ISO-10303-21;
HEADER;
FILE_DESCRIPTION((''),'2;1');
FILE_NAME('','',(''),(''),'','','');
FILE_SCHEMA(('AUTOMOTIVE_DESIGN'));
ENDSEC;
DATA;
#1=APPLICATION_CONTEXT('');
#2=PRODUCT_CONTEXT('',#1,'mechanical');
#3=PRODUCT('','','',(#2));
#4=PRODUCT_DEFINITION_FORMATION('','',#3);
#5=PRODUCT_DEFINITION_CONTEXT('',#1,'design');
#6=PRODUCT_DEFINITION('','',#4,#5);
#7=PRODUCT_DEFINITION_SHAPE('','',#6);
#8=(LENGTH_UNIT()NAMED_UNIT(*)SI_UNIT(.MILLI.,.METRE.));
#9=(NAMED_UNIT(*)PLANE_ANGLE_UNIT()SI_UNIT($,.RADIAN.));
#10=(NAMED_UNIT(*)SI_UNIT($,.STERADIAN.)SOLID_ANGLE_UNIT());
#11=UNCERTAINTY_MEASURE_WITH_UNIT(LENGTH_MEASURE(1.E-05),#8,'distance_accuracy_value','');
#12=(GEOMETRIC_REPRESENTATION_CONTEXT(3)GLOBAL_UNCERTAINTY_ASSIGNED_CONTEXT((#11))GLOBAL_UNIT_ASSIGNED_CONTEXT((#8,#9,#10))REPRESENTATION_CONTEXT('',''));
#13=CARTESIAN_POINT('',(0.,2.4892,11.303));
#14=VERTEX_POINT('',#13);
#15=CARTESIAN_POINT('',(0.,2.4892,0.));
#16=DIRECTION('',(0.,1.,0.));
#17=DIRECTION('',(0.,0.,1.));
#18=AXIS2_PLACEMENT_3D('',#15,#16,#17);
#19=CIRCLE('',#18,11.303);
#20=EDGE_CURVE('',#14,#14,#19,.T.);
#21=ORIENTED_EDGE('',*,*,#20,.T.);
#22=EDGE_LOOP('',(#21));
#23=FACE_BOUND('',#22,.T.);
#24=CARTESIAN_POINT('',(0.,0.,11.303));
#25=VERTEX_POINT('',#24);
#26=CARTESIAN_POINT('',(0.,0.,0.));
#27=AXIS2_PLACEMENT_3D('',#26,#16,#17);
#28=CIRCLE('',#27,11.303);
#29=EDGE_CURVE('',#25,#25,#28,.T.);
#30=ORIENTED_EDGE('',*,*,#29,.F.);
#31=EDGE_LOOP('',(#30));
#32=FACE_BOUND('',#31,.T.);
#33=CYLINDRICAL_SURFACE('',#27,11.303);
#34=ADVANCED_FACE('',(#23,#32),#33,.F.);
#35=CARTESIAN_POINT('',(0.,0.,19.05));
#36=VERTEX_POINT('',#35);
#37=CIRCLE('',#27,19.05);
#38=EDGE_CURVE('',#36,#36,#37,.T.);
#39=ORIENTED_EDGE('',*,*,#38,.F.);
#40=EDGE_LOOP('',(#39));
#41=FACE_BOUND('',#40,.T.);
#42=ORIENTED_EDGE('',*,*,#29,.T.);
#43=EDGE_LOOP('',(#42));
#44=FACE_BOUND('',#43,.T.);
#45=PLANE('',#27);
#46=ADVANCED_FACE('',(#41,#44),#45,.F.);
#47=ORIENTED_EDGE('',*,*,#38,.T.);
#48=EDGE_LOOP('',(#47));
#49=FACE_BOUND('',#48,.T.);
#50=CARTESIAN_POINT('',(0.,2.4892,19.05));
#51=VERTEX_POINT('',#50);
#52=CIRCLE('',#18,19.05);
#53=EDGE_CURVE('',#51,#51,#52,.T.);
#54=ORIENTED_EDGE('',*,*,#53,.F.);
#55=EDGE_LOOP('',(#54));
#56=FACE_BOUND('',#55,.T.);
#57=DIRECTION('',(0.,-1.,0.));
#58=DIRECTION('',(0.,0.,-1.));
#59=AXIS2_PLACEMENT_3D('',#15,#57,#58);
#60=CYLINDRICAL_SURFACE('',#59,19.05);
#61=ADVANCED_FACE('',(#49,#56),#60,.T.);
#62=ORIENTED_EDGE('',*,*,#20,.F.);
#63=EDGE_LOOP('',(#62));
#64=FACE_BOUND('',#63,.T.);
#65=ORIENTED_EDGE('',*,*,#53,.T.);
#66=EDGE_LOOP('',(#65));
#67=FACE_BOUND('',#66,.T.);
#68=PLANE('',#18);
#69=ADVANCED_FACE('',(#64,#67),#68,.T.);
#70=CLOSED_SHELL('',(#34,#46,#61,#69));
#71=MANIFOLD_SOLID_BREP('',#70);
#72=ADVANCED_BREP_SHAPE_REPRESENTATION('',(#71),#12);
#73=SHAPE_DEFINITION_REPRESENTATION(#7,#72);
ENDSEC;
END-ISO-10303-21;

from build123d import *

# Parameters (mm, degrees)
SKETCH1_R           = 19.05
BOSS_EXTRUDE1_DEPTH = 2.4892
SKETCH5_R           = 11.303
CUT_EXTRUDE1_DEPTH  = 3.4892


with BuildPart() as part:
    # Sketch1 → Boss-Extrude1 (new body)
    with BuildSketch(Plane(origin=(0, 0, 0), x_dir=(1, 0, 0), z_dir=(0, 1, 0))):
        Circle(SKETCH1_R)
    extrude(amount=BOSS_EXTRUDE1_DEPTH)

    # Sketch5 → Cut-Extrude1 (cut, through all)
    with BuildSketch(Plane(origin=(0, 2.4892, 0), x_dir=(-1, 0, 0), z_dir=(0, 1, 0))):
        Circle(SKETCH5_R)
    extrude(amount=-CUT_EXTRUDE1_DEPTH, mode=Mode.SUBTRACT)


solid = part.part
